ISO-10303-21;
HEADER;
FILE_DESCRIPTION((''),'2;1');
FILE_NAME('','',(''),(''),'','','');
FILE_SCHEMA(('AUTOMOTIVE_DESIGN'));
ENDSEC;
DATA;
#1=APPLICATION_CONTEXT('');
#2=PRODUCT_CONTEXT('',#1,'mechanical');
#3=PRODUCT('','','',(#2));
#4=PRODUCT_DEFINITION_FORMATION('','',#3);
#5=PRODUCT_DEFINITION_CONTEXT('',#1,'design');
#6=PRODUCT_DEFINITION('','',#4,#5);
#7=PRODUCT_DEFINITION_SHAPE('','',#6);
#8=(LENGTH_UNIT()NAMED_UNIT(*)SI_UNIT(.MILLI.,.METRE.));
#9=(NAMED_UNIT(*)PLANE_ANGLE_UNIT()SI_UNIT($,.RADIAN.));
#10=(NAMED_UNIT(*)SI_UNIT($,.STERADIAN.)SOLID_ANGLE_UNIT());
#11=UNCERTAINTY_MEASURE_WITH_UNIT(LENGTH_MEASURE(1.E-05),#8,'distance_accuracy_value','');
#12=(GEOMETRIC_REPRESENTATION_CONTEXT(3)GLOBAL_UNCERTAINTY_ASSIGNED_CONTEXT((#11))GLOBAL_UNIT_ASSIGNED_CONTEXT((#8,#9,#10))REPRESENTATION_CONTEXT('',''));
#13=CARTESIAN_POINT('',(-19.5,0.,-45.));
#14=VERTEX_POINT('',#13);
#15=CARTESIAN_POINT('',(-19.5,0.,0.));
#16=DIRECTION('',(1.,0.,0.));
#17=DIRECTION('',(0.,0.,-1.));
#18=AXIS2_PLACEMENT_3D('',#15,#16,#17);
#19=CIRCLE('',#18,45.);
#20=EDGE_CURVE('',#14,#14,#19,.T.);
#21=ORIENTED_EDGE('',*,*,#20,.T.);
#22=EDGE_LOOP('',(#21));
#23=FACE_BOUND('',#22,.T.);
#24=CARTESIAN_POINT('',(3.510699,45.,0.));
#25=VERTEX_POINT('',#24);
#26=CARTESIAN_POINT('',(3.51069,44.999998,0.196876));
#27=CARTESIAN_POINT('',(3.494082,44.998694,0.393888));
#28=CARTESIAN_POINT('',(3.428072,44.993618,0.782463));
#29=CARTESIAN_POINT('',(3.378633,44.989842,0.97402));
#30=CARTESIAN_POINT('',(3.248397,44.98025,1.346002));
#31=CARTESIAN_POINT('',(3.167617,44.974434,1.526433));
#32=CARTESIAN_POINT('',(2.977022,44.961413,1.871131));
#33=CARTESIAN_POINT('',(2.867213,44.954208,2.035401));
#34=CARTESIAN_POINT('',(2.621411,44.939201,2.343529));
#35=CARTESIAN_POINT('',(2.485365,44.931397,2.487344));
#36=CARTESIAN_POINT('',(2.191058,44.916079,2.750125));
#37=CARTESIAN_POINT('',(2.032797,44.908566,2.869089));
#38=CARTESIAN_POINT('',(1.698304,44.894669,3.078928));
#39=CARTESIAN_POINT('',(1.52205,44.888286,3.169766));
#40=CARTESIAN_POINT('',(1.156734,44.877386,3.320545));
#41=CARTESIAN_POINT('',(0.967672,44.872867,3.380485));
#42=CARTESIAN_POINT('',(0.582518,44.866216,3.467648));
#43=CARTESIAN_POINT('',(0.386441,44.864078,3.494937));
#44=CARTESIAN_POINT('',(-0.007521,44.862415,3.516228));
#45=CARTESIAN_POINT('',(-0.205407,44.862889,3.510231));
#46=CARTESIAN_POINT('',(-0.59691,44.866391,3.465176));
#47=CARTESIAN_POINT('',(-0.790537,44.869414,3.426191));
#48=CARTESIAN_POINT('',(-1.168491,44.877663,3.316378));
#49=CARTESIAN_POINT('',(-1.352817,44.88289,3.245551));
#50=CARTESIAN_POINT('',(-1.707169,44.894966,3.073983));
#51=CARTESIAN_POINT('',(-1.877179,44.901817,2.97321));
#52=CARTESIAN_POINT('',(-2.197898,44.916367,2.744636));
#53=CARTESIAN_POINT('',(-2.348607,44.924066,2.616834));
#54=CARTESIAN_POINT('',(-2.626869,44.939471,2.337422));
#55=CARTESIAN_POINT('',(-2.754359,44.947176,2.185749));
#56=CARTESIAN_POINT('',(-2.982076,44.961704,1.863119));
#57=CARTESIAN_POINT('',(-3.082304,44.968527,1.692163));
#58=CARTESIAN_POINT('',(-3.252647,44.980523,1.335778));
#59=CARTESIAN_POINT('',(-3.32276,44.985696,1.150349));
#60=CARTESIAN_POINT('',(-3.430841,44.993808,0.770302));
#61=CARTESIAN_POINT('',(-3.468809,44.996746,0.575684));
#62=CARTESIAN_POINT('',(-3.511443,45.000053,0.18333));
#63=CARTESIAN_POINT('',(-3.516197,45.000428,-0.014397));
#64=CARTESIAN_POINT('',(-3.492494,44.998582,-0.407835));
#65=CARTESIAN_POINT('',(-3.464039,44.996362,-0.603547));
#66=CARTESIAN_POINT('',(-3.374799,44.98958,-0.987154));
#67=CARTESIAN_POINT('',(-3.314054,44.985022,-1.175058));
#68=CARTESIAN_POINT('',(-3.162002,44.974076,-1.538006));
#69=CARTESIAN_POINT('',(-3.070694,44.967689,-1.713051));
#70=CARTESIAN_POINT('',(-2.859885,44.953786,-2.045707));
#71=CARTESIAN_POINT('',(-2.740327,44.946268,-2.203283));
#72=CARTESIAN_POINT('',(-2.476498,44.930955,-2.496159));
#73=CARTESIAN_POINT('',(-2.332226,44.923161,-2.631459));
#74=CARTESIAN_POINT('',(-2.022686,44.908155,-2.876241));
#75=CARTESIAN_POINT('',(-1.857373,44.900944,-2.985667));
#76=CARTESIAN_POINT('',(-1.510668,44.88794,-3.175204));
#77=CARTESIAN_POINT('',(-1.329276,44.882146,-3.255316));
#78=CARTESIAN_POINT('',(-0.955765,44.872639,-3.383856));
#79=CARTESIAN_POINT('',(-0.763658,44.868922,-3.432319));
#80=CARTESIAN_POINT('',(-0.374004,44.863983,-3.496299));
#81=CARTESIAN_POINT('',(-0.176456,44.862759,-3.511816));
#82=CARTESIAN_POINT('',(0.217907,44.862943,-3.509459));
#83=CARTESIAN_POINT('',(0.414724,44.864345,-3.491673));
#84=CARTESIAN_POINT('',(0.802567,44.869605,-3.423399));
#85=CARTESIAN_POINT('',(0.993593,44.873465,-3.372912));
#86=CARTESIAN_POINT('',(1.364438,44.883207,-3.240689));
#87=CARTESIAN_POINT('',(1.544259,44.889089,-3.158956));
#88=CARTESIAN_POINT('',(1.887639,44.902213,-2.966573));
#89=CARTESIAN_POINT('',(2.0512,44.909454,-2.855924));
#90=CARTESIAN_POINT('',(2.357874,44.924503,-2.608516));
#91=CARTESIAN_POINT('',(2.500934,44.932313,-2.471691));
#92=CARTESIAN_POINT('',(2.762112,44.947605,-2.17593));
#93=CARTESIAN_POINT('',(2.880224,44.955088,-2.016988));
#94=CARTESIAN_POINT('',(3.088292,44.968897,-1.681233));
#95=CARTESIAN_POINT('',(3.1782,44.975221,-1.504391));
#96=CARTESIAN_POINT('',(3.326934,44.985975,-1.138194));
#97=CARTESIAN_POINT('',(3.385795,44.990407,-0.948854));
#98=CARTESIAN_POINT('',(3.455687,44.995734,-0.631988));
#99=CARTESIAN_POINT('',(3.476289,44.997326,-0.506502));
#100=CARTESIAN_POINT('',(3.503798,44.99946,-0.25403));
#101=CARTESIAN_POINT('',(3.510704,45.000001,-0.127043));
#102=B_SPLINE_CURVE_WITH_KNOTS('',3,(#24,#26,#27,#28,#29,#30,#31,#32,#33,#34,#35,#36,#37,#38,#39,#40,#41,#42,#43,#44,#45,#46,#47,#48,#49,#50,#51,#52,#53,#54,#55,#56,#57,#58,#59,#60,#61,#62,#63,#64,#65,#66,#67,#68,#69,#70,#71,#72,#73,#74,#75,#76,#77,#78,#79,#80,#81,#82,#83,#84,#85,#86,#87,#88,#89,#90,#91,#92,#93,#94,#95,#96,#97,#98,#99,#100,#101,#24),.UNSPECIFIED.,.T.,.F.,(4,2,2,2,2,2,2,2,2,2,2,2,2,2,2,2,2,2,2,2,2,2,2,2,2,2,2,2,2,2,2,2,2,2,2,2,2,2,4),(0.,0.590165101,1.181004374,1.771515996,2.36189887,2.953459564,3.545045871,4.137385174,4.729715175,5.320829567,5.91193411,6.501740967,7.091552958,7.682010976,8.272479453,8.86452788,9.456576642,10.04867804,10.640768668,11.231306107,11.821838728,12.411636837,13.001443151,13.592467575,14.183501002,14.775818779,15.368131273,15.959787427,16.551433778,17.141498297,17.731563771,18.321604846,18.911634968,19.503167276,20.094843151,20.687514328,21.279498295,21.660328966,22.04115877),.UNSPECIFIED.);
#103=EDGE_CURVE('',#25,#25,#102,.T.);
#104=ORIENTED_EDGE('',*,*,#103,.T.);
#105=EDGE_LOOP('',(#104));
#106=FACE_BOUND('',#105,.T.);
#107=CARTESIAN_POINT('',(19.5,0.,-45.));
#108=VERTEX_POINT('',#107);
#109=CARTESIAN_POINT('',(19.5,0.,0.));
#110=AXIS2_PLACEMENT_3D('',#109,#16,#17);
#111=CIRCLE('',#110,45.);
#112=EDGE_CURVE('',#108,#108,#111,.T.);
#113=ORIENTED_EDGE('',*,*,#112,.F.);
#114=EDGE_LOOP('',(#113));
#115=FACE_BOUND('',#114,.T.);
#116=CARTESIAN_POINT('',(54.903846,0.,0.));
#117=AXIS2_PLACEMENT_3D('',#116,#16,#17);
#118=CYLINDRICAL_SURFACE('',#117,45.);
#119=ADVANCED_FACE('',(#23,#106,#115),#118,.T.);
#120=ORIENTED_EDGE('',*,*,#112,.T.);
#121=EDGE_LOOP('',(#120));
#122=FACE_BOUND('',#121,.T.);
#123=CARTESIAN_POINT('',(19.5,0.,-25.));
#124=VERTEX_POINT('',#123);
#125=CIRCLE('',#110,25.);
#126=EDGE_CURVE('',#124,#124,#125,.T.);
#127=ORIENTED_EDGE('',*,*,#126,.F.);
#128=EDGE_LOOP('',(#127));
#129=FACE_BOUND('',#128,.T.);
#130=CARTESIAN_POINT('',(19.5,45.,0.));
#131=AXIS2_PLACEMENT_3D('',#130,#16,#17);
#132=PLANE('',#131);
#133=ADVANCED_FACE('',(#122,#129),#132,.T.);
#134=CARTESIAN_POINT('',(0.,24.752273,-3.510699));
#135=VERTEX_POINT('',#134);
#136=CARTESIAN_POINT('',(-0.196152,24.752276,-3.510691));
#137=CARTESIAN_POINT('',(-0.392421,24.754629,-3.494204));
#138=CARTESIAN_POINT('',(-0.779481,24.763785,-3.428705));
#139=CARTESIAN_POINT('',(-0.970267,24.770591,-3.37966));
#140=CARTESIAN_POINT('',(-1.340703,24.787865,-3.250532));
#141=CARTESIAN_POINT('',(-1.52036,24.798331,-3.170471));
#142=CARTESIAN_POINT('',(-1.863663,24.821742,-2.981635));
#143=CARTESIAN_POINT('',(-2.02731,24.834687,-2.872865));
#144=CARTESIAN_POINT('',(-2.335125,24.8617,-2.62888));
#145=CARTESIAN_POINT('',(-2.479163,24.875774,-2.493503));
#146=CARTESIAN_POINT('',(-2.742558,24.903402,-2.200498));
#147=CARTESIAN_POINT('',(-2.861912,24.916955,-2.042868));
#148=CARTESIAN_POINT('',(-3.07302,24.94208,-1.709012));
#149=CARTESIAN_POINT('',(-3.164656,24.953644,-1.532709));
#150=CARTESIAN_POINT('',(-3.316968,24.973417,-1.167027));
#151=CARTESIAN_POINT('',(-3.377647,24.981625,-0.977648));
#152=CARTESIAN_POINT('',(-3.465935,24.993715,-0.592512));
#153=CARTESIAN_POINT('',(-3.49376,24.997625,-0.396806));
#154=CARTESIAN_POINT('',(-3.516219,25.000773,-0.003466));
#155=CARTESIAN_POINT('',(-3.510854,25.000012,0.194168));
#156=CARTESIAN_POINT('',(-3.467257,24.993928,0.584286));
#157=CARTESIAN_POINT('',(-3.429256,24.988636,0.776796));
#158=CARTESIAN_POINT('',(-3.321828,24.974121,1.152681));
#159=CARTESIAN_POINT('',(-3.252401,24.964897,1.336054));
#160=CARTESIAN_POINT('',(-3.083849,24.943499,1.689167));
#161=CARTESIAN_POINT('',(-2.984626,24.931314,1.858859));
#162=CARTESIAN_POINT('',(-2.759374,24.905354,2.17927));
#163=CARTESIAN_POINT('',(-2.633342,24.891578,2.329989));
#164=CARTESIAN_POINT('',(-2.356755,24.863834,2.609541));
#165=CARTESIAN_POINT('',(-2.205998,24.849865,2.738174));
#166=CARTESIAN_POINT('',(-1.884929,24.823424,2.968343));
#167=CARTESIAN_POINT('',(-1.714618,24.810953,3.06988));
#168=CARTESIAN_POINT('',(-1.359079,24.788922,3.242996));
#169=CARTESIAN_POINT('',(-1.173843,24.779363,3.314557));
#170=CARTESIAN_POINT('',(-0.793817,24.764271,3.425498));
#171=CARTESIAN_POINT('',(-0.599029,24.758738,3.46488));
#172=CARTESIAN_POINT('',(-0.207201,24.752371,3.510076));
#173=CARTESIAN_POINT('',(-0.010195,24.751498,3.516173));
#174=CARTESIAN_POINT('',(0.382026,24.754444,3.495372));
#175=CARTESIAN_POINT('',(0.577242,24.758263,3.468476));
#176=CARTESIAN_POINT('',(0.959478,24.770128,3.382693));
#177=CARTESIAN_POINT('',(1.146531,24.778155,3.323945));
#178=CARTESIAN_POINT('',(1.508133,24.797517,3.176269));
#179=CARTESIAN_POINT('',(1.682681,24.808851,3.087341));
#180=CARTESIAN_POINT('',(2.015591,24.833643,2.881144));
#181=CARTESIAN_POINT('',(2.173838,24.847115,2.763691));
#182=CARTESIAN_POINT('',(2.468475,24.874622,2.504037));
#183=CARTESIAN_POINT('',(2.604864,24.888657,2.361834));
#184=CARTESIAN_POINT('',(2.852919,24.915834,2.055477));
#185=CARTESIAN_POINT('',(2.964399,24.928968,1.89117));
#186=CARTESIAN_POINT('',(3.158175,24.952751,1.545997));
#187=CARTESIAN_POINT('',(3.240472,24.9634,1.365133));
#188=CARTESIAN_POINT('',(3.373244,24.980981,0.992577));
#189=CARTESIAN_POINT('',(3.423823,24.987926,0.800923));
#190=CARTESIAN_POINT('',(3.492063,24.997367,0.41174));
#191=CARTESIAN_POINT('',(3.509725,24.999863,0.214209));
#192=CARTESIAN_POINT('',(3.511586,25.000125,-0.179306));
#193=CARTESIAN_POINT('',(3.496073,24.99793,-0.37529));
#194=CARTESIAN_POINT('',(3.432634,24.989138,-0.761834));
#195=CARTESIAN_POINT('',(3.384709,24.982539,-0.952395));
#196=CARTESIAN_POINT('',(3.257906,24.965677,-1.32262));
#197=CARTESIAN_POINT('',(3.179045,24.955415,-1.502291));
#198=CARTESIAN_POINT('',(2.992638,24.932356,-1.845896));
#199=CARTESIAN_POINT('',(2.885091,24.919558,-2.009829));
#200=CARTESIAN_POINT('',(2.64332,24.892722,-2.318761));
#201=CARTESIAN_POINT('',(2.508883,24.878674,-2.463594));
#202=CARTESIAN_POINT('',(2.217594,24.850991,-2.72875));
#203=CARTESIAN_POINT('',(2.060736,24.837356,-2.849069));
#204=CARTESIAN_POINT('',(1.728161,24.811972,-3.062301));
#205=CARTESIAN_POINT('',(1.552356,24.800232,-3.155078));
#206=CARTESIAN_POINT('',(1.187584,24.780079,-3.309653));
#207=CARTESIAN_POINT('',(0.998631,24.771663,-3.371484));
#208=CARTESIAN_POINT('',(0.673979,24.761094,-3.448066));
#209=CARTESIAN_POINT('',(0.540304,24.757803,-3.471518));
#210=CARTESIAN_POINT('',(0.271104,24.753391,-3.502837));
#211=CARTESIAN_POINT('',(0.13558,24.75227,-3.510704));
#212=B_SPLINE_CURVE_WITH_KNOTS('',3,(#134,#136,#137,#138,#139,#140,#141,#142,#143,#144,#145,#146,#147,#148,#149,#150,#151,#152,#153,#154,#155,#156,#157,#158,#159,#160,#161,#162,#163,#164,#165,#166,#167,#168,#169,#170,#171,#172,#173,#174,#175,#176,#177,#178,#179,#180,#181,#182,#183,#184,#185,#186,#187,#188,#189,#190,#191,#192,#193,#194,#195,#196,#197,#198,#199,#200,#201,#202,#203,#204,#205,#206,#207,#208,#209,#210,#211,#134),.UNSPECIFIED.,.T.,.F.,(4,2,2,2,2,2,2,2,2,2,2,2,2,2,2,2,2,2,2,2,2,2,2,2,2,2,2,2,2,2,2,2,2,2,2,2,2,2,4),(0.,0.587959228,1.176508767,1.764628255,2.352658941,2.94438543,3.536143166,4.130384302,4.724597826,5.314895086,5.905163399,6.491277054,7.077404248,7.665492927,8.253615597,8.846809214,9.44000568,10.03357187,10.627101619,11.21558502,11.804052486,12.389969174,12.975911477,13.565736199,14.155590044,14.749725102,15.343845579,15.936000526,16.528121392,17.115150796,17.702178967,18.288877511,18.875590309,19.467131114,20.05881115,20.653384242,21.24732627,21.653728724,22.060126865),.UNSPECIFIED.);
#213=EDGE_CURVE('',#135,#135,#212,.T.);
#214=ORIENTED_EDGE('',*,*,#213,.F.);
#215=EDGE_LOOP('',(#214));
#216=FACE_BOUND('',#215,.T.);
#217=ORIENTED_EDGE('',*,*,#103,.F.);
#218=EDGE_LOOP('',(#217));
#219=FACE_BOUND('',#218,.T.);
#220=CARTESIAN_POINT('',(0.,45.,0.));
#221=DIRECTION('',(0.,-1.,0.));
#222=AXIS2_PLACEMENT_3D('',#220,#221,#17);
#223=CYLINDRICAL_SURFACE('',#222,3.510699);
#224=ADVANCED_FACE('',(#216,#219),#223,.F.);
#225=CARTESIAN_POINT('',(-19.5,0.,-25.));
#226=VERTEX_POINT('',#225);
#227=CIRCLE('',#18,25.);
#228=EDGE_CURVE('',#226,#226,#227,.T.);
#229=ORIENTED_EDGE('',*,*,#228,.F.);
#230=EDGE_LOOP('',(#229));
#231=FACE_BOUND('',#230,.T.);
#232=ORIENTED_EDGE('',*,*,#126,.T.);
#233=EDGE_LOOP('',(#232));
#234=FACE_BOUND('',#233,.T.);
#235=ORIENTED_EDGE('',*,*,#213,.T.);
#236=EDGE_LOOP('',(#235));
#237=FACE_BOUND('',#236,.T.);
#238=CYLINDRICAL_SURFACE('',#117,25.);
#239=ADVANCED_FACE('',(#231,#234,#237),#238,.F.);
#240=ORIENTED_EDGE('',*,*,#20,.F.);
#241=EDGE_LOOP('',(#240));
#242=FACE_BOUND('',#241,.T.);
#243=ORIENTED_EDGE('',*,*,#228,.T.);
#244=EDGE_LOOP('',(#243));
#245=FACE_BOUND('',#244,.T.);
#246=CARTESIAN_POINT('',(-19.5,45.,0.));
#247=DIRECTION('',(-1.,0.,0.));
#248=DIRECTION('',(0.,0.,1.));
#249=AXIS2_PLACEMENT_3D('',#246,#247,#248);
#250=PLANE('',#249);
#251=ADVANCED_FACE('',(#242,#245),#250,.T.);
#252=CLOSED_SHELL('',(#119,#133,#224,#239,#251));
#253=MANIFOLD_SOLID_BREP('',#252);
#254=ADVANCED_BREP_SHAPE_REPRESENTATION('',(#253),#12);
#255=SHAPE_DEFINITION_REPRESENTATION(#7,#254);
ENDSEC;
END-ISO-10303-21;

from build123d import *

# Parameters (mm, degrees)
SKETCH1_W          = 39
SKETCH1_H          = 20
SKETCH2_R          = 3.510698781
CUT_EXTRUDE1_DEPTH = 67.560123197


with BuildPart() as part:
    # Sketch1 → Revolve1 (revolve)
    with BuildSketch(Plane.XY, mode=Mode.PRIVATE) as revolve1_sk:
        with Locations((0, 35)):
            Rectangle(SKETCH1_W, SKETCH1_H)
    revolve(revolve1_sk.sketch.rotate(Axis((54.903846154, 0, 0), (-1, 0, 0)), 90), axis=Axis((54.903846154, 0, 0), (-1, 0, 0)))

    # Sketch2 → Cut-Extrude1 (cut, through all)
    with BuildSketch(Plane(origin=(0, 0, 0), x_dir=(1, 0, 0), z_dir=(0, 1, 0))):
        with Locations(Location((0, 0, 0), (0, 0, 90))):
            Circle(SKETCH2_R)
    extrude(amount=CUT_EXTRUDE1_DEPTH, mode=Mode.SUBTRACT)


solid = part.part
